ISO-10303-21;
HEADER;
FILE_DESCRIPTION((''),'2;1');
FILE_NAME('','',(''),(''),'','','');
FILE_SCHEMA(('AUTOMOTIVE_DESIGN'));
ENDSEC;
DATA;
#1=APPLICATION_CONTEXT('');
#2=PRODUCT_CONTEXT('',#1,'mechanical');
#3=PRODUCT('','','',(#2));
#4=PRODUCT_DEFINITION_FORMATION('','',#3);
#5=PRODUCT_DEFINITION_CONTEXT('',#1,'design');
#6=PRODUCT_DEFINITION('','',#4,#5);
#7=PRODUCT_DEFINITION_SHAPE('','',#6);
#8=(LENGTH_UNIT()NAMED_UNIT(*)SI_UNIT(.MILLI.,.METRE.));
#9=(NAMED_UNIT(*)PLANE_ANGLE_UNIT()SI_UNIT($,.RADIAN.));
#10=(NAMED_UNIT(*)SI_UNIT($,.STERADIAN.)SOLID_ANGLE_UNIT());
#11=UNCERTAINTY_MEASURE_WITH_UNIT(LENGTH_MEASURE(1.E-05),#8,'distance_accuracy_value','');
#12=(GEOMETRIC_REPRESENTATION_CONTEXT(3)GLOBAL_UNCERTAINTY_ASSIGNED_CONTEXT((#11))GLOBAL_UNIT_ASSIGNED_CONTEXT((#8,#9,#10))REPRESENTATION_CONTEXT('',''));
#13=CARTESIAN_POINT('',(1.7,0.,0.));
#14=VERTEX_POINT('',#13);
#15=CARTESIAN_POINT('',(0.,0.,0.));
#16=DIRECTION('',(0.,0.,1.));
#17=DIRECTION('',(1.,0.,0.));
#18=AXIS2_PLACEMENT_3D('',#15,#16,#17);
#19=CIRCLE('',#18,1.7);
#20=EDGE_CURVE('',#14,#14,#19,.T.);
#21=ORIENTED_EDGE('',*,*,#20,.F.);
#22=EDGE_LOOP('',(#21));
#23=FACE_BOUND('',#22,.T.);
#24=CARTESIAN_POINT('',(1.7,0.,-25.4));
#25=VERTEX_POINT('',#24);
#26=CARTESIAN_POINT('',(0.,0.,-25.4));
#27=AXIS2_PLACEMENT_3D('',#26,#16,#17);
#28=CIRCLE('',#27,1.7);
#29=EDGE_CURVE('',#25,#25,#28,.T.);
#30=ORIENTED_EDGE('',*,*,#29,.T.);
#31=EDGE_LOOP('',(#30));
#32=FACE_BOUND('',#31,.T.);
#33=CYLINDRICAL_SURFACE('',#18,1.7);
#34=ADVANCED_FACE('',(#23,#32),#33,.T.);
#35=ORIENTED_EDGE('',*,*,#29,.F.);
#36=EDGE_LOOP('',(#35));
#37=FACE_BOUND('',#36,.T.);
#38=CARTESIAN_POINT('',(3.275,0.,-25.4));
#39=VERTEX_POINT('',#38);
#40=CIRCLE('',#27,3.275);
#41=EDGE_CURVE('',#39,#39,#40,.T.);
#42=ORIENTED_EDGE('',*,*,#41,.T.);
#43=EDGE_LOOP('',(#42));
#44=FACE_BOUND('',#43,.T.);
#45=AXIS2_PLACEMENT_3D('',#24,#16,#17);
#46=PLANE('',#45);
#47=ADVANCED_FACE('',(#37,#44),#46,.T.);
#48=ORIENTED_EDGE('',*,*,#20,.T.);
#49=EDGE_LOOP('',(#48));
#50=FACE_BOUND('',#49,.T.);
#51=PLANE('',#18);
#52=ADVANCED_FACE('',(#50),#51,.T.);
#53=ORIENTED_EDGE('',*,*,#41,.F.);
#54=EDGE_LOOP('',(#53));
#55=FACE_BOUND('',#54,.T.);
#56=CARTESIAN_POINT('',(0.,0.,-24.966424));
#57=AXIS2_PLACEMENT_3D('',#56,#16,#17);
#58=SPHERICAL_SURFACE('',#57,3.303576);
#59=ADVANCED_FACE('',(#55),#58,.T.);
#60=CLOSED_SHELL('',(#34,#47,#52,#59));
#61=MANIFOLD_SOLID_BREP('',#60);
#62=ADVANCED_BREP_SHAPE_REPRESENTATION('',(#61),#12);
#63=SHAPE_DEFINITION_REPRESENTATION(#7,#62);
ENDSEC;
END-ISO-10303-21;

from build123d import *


with BuildPart() as part:
    # Sketch1 → Revolve1 (revolve)
    with BuildSketch(Plane(origin=(0, 0, 0), x_dir=(1, 0, 0), z_dir=(0, 1, 0))):
        with BuildLine():
            Line((0, 0), (0, 28.27))
            ThreePointArc((0, 28.27), (2.177299072, 27.450972809), (3.275, 25.4))
            Line((3.275, 25.4), (1.7, 25.4))
            Line((1.7, 25.4), (1.7, 0))
            Line((1.7, 0), (0, 0))
        make_face()
    revolve(axis=Axis((0, 0, 0), (0, 0, -1)))


solid = part.part
